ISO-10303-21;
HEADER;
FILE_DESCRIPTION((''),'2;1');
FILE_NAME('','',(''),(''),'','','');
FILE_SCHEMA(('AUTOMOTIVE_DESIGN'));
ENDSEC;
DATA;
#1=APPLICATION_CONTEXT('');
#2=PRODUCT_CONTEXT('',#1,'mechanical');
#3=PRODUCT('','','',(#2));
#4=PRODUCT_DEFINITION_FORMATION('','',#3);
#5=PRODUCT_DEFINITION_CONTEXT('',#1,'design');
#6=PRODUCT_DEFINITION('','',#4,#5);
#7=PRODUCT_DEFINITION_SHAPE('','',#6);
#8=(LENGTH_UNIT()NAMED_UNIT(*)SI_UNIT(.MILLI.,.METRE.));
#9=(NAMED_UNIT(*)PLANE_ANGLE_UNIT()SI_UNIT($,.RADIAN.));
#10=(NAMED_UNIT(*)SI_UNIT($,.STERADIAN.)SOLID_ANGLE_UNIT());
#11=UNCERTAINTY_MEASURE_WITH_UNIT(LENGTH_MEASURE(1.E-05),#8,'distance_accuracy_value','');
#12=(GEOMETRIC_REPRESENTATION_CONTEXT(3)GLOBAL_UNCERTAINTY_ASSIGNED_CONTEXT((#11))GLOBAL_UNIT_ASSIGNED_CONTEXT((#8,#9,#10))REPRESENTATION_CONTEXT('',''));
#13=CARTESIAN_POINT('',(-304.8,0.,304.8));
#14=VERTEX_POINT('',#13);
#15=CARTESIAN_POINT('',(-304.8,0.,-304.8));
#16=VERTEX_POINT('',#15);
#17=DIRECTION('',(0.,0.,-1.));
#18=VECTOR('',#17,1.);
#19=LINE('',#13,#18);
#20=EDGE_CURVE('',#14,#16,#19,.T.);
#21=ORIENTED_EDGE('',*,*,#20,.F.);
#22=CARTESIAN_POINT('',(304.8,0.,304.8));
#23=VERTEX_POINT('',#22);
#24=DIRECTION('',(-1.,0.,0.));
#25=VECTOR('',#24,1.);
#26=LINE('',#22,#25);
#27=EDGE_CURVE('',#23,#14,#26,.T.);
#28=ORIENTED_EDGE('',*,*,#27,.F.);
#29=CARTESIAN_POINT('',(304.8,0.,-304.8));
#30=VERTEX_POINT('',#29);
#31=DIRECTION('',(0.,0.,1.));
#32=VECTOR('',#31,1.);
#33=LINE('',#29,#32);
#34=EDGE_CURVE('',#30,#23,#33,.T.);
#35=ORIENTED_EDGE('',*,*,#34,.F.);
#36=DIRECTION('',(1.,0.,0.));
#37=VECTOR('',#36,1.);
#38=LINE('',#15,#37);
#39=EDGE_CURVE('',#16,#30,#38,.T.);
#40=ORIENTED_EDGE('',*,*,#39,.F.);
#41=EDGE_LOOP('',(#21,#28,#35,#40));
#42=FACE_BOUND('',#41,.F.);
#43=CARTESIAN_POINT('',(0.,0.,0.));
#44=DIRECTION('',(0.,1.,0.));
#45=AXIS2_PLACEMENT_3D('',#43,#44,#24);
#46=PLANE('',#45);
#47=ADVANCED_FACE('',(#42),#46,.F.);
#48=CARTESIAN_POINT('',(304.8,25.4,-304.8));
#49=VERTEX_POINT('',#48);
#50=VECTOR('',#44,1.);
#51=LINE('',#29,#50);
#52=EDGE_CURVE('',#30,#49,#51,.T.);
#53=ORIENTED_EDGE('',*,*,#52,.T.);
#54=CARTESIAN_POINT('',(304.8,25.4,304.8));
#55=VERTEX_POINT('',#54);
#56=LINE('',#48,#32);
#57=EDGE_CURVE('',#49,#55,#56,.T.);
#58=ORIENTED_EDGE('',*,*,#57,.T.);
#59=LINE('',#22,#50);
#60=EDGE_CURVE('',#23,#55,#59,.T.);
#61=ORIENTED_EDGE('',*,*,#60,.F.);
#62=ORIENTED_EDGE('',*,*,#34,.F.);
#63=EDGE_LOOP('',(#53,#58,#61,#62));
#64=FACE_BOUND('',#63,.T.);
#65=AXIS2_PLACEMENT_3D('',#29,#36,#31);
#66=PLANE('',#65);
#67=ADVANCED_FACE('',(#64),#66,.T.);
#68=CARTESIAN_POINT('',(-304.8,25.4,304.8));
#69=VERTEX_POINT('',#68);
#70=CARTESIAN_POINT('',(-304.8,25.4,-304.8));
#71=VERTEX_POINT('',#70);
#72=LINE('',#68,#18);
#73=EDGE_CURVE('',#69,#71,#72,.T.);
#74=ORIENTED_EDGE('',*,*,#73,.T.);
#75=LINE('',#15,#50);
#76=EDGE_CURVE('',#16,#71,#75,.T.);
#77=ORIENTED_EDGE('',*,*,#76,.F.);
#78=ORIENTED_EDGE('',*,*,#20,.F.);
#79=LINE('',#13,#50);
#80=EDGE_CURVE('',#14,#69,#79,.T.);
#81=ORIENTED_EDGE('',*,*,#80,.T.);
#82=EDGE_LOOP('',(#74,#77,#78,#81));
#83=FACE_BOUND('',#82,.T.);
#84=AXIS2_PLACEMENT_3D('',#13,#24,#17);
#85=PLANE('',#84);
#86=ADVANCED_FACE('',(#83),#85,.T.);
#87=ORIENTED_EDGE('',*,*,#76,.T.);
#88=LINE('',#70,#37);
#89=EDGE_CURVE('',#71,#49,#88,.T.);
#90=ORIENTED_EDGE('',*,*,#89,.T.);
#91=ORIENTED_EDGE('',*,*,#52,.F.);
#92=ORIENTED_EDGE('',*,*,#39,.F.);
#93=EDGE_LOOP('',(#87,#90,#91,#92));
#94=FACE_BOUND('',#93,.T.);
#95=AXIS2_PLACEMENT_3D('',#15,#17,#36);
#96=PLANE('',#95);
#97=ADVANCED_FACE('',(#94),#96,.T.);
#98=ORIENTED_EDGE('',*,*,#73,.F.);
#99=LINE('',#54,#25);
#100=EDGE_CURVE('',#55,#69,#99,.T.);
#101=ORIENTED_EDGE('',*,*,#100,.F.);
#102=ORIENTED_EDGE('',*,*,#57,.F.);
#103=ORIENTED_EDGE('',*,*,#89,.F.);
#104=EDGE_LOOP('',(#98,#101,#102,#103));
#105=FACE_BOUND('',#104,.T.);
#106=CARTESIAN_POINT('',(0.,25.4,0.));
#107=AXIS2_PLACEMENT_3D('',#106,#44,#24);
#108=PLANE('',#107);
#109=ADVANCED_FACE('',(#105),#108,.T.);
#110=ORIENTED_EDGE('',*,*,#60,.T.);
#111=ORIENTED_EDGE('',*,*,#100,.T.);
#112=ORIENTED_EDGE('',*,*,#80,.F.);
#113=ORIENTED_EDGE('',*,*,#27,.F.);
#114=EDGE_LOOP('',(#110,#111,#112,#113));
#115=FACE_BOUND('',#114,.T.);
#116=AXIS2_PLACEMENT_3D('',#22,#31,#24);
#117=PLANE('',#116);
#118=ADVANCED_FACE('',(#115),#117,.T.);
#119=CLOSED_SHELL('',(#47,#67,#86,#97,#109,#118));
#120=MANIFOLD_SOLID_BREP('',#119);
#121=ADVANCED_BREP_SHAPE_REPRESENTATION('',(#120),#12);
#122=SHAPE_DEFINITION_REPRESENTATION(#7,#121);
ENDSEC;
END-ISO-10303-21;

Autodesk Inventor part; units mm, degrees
ref_plane "YZ Plane" through (0, 0, 0) normal (1, 0, 0) x (0, 1, 0)
ref_plane "XZ Plane" through (0, 0, 0) normal (0, 1, 0) x (-1, 0, 0)
ref_plane "XY Plane" through (0, 0, 0) normal (0, 0, 1) x (1, 0, 0)
sketch "Sketch1" plane through (0, 0, 0) normal (0, 1, 0) x (-1, 0, 0)
  line L0 (304.8, -304.8) -> (-304.8, -304.8)
  line L1 (-304.8, -304.8) -> (-304.8, 304.8)
  line L2 (-304.8, 304.8) -> (304.8, 304.8)
  line L3 (304.8, 304.8) -> (304.8, -304.8)
  line L4 (304.8, -304.8) -> (-304.8, 304.8) construction
  line L5 (-304.8, -304.8) -> (304.8, 304.8) construction
  point P0 (0, 0)
  dimension "d0" = 609.6
  dimension "d1" = 609.6
extrude "Extrusion1" add sketch "Sketch1" along normal blind 25.4
properties part number "24x24x2-75" material "Granite, Cut, Polished"
